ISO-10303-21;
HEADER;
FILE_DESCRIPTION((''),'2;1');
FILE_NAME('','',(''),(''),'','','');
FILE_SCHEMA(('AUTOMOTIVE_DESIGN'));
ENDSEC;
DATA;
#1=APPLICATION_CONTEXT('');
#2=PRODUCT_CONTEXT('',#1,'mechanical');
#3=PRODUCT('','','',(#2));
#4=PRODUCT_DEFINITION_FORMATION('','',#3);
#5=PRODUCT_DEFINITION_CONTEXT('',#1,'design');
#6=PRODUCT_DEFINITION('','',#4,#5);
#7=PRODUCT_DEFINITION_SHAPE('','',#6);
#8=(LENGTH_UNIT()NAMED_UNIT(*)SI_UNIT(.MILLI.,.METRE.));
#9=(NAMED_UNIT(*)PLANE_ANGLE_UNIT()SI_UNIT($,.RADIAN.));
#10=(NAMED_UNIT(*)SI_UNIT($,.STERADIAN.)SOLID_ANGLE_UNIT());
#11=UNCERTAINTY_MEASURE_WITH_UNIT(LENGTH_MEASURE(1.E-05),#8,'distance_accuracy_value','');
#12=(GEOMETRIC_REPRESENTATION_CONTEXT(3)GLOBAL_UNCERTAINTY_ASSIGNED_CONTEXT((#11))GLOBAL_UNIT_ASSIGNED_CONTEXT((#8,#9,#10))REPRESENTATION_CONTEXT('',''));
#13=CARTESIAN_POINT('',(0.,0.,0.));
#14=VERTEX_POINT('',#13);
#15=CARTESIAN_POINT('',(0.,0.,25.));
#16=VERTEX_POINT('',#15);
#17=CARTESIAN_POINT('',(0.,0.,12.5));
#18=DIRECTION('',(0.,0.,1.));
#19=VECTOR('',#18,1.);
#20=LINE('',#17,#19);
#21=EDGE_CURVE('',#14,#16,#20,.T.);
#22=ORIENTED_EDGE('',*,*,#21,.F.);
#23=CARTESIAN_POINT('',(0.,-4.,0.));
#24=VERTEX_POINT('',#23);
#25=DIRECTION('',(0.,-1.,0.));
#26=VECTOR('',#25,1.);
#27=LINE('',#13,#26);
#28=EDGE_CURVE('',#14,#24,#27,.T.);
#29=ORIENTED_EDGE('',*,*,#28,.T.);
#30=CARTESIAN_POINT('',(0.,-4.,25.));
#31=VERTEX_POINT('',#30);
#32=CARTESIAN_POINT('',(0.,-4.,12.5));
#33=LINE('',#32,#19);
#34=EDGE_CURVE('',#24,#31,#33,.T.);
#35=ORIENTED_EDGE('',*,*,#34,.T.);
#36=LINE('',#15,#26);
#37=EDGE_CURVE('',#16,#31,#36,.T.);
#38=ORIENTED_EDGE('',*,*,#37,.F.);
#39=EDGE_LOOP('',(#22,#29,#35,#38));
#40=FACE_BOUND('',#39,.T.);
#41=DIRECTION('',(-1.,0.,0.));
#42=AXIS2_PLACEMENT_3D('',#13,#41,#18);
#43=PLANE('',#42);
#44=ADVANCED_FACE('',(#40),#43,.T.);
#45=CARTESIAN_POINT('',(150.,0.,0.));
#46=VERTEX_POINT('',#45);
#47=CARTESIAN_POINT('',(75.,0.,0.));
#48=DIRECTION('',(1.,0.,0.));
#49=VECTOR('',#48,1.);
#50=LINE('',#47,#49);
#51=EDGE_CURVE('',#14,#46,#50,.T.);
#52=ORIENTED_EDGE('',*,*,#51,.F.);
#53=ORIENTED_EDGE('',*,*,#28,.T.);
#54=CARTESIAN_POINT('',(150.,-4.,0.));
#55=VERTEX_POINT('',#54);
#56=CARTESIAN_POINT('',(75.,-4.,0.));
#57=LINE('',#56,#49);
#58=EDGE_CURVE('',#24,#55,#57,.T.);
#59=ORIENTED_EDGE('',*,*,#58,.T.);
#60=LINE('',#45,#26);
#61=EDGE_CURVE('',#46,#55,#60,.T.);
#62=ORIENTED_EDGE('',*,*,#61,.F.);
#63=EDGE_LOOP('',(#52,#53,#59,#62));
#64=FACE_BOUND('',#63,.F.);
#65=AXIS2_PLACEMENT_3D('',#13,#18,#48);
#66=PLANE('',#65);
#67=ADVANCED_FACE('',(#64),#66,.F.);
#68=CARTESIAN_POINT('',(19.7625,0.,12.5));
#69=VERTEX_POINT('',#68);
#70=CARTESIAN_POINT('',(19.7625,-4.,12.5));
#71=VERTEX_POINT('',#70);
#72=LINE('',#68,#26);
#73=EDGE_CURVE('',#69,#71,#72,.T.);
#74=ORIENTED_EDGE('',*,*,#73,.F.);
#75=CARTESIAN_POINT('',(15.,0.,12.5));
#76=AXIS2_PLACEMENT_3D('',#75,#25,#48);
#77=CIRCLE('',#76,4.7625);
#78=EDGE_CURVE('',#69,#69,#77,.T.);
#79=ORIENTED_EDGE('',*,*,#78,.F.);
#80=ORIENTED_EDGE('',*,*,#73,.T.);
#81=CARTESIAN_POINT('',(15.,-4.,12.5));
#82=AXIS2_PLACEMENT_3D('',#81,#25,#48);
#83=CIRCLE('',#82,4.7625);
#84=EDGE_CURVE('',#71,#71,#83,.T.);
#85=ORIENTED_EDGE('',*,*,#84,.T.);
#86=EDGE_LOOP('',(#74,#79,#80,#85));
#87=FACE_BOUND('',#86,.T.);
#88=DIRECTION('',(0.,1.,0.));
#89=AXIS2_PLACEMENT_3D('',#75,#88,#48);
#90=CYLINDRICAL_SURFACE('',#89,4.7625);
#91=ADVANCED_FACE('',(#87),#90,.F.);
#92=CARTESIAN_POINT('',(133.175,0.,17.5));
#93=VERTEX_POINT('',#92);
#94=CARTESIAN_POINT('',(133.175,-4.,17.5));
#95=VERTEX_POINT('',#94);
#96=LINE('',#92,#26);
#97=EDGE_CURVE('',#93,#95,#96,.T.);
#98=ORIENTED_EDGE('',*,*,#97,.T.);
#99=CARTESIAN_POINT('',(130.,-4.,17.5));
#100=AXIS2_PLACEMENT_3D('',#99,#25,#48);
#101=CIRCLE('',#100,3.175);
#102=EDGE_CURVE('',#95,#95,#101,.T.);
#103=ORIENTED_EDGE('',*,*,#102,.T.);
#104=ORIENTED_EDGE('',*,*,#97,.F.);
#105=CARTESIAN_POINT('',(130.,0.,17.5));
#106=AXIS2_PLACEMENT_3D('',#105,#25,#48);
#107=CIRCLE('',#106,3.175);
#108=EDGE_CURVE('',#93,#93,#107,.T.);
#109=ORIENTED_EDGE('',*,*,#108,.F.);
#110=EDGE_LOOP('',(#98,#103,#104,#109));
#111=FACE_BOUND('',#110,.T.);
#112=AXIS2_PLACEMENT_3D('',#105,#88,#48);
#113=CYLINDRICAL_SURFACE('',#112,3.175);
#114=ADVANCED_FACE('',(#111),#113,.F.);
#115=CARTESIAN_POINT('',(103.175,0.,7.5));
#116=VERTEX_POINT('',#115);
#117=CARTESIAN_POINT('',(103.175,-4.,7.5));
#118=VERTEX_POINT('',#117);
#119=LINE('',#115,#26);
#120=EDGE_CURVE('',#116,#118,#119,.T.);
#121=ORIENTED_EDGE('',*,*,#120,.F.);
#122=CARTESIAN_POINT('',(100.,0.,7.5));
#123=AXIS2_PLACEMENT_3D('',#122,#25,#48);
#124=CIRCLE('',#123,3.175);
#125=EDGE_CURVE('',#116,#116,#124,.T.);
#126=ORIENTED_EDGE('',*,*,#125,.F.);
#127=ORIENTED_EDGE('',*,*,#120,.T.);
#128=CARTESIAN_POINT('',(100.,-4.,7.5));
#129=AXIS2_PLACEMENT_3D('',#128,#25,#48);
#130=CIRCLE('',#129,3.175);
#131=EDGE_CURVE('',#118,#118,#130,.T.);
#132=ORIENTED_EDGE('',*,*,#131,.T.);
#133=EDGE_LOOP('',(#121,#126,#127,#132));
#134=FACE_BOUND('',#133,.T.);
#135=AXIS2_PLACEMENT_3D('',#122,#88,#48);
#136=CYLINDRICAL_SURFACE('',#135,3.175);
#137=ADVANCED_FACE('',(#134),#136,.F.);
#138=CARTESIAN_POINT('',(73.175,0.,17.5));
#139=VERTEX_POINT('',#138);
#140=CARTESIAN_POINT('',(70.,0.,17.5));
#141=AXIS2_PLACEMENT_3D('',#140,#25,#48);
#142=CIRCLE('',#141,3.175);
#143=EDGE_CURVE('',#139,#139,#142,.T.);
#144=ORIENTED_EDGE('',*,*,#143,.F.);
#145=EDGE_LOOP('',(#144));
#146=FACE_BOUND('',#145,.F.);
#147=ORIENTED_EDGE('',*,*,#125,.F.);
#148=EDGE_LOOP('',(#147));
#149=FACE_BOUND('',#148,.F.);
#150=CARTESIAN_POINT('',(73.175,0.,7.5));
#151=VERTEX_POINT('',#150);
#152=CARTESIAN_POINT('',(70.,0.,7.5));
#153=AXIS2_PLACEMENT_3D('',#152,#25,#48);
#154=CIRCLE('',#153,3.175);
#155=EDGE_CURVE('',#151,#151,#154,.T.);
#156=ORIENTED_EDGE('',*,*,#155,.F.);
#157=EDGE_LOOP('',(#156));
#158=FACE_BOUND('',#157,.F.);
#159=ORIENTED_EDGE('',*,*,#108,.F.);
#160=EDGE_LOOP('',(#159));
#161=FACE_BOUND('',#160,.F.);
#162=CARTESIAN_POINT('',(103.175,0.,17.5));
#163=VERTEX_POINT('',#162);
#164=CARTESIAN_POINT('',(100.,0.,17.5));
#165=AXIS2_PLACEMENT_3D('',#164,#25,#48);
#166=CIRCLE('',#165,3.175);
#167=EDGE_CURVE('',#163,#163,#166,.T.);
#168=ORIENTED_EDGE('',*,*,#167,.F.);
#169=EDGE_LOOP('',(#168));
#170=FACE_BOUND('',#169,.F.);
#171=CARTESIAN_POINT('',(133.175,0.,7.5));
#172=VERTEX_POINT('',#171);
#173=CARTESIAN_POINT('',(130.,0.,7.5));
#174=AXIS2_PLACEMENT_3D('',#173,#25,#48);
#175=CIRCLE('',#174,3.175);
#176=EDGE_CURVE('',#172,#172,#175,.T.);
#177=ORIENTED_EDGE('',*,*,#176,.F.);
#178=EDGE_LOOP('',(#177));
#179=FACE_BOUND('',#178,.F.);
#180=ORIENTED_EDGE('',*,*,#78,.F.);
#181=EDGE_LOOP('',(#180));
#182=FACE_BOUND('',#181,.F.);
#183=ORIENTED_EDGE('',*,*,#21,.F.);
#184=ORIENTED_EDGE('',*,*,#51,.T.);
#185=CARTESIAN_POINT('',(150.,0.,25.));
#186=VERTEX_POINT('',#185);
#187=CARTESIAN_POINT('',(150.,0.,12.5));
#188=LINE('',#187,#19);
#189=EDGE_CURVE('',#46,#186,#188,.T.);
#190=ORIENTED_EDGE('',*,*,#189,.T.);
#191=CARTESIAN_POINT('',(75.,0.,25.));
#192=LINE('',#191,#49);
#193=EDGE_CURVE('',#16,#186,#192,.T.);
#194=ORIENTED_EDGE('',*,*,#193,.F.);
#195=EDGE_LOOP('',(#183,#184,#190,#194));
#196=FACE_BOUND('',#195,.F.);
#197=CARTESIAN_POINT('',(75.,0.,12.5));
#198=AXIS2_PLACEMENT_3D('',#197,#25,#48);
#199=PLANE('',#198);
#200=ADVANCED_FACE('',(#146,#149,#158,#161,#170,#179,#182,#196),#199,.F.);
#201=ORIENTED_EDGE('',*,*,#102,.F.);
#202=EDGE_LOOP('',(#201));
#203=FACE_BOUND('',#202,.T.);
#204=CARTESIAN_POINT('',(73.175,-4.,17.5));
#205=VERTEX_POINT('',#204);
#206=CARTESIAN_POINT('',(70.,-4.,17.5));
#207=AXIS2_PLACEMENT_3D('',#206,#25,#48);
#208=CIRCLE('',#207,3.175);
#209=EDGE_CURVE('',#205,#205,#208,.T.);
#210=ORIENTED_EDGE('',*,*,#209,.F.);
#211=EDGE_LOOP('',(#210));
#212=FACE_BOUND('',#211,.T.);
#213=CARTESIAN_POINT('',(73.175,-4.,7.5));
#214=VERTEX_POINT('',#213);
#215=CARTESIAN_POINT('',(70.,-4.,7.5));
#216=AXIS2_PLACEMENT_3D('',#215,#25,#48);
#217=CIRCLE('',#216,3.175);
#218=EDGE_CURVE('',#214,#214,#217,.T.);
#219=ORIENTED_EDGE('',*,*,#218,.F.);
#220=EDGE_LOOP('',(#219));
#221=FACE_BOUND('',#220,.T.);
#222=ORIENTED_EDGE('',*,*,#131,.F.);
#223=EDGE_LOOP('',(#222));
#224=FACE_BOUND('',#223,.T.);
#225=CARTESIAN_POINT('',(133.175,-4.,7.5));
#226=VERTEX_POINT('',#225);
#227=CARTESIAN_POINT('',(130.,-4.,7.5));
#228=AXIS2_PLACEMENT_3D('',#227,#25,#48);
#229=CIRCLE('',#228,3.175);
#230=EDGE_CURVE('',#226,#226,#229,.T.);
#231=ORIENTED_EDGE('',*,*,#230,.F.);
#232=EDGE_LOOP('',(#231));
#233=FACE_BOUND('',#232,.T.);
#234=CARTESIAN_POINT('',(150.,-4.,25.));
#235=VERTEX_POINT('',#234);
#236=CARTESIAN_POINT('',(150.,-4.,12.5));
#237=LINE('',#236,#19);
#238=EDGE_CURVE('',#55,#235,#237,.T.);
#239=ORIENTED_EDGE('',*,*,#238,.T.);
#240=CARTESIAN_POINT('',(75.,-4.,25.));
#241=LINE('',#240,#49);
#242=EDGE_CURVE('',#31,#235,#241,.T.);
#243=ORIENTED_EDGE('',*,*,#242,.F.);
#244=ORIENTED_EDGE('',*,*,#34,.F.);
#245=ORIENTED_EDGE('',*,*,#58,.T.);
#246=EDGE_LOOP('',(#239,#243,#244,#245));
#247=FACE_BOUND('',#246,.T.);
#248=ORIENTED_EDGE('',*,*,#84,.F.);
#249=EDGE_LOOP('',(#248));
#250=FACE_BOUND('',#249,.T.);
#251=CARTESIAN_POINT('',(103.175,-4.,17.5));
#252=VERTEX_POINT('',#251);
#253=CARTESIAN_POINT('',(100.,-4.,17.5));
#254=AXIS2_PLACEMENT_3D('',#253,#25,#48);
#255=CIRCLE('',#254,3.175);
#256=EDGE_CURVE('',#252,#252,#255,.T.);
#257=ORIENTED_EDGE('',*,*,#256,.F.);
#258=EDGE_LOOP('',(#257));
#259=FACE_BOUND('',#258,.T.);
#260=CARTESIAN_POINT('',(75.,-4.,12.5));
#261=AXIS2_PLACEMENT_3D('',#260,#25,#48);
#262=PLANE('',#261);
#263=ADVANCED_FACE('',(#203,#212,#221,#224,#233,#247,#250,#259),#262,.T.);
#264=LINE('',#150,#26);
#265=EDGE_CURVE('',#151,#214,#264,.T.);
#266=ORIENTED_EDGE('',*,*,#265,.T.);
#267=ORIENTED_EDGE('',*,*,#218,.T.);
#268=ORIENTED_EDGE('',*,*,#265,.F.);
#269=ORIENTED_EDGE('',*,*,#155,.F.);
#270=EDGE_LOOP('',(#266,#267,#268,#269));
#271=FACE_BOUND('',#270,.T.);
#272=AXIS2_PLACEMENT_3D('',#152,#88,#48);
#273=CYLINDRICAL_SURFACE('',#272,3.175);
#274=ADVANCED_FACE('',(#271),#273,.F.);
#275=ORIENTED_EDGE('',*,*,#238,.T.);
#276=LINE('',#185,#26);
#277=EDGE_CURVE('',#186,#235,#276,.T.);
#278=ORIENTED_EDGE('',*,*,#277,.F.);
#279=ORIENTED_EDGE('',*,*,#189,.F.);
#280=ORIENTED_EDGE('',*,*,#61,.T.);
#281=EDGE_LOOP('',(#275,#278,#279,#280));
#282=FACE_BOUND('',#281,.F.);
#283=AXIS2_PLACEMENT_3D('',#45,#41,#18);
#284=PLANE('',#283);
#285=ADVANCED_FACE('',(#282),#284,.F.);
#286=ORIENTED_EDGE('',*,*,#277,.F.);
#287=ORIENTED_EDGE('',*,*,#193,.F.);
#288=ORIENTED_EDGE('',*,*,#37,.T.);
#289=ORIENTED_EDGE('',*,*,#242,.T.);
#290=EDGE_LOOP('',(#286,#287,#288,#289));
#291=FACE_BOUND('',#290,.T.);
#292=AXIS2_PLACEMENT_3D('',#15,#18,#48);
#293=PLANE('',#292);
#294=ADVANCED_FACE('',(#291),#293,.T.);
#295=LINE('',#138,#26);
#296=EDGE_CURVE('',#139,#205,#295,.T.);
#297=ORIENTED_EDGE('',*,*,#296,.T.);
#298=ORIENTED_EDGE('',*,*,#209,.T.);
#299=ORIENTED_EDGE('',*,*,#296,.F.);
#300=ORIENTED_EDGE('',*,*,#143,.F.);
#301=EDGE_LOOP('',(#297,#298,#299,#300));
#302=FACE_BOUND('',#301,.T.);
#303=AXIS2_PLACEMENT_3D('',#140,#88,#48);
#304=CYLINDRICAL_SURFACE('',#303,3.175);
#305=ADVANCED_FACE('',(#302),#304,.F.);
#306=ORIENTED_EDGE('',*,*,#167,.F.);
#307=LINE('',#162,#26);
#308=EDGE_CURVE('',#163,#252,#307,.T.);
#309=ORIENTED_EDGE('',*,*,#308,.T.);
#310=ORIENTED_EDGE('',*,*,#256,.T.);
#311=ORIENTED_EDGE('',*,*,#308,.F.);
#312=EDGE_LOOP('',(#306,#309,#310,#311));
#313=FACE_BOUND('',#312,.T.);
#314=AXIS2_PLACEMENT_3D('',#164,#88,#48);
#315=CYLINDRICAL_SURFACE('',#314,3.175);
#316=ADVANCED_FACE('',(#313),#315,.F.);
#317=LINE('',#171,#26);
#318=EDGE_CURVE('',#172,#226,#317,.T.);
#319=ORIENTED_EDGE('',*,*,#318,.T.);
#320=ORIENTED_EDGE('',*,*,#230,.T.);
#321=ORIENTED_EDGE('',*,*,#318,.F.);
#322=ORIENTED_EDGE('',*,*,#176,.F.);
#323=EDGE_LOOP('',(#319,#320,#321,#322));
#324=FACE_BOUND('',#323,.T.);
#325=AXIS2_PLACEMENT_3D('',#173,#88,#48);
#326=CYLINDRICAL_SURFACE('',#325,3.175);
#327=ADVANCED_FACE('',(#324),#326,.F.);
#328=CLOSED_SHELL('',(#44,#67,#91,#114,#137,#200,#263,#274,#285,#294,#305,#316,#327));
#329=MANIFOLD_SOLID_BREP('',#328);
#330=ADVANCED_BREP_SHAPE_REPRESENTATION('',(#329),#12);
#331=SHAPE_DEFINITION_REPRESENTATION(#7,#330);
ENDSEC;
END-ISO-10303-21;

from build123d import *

# Parameters (mm, degrees)
F0_W     = 150
F0_H     = 25
F0_R     = 3.175
F0_R_2   = 4.7625
F1_DEPTH = 4


with BuildPart() as f1:
    # F0 (on Front) → F1 (new body)
    with BuildSketch(Plane.XZ):
        with Locations((75, 12.5)):
            Rectangle(F0_W, F0_H)
        with Locations((70, 7.5)):
            Circle(F0_R, mode=Mode.SUBTRACT)
        with Locations((100, 7.5)):
            Circle(F0_R, mode=Mode.SUBTRACT)
        with Locations((130, 7.5)):
            Circle(F0_R, mode=Mode.SUBTRACT)
        with Locations((15, 12.5)):
            Circle(F0_R_2, mode=Mode.SUBTRACT)
        with Locations((70, 17.5)):
            Circle(F0_R, mode=Mode.SUBTRACT)
        with Locations((100, 17.5)):
            Circle(F0_R, mode=Mode.SUBTRACT)
        with Locations((130, 17.5)):
            Circle(F0_R, mode=Mode.SUBTRACT)
    extrude(amount=F1_DEPTH)


solid = f1.part
